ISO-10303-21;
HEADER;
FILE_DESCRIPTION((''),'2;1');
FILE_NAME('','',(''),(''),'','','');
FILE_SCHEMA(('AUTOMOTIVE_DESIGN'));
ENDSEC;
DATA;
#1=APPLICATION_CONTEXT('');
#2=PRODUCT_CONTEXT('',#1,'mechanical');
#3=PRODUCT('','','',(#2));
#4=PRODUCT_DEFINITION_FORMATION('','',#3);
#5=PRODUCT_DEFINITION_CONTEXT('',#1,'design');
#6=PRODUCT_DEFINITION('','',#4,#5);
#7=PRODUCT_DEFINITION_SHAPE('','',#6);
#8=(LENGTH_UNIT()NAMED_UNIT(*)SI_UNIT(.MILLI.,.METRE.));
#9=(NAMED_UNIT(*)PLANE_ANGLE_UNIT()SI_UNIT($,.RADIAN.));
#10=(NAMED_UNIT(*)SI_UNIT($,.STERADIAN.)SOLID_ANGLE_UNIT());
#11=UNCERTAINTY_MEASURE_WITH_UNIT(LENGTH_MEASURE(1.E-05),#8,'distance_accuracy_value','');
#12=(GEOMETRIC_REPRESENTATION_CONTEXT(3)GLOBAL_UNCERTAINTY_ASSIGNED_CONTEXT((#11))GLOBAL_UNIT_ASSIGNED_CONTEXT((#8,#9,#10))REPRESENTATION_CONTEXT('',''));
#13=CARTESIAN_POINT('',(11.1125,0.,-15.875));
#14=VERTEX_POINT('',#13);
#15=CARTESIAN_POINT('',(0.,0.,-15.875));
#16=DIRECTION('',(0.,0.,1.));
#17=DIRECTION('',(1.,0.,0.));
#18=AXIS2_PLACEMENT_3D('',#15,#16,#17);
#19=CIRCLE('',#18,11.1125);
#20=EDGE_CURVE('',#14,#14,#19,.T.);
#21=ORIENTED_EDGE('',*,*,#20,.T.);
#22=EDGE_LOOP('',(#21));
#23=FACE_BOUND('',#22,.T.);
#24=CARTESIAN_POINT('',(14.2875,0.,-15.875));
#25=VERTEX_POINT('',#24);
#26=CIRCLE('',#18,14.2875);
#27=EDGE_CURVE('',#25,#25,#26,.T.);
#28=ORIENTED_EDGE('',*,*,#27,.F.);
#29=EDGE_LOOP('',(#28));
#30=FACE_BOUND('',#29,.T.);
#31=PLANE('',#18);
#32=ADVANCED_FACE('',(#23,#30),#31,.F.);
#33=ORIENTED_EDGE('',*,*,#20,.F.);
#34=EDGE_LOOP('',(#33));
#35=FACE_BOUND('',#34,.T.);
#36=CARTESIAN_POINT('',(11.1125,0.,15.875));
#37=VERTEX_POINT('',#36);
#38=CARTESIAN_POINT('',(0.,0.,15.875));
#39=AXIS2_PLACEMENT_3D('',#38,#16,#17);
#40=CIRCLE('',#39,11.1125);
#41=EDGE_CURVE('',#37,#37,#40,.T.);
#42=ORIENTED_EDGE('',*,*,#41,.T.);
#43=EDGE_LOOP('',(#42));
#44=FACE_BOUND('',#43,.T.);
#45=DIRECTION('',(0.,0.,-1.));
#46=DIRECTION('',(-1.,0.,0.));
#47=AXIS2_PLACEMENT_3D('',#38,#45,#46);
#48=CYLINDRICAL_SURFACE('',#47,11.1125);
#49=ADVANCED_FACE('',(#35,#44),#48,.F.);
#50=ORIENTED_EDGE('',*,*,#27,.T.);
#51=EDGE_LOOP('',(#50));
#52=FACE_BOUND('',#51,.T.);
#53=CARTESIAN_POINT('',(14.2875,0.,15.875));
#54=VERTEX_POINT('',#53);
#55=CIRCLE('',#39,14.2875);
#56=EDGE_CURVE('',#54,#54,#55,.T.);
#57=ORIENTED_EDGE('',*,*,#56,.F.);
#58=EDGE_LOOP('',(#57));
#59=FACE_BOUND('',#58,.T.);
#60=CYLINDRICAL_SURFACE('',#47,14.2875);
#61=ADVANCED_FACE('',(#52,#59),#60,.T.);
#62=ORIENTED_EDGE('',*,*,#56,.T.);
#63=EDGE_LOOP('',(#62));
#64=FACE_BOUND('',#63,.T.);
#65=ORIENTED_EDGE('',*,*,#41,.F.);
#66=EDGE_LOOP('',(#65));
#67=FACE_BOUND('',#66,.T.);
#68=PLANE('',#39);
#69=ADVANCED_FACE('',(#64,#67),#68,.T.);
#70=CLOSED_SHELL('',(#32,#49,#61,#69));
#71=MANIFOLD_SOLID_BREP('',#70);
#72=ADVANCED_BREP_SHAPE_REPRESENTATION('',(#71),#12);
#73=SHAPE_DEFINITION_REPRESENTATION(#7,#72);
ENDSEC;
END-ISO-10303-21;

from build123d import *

# Parameters (mm, degrees)
SKETCH1_R      = 14.2875
SKETCH1_R_2    = 11.1125
EXTRUDE1_DEPTH = 15.875


with BuildPart() as part:
    # Sketch1 → Extrude1 (new body, symmetric)
    with BuildSketch(Plane.XY):
        Circle(SKETCH1_R)
        Circle(SKETCH1_R_2, mode=Mode.SUBTRACT)
    extrude(amount=EXTRUDE1_DEPTH, both=True)


solid = part.part
